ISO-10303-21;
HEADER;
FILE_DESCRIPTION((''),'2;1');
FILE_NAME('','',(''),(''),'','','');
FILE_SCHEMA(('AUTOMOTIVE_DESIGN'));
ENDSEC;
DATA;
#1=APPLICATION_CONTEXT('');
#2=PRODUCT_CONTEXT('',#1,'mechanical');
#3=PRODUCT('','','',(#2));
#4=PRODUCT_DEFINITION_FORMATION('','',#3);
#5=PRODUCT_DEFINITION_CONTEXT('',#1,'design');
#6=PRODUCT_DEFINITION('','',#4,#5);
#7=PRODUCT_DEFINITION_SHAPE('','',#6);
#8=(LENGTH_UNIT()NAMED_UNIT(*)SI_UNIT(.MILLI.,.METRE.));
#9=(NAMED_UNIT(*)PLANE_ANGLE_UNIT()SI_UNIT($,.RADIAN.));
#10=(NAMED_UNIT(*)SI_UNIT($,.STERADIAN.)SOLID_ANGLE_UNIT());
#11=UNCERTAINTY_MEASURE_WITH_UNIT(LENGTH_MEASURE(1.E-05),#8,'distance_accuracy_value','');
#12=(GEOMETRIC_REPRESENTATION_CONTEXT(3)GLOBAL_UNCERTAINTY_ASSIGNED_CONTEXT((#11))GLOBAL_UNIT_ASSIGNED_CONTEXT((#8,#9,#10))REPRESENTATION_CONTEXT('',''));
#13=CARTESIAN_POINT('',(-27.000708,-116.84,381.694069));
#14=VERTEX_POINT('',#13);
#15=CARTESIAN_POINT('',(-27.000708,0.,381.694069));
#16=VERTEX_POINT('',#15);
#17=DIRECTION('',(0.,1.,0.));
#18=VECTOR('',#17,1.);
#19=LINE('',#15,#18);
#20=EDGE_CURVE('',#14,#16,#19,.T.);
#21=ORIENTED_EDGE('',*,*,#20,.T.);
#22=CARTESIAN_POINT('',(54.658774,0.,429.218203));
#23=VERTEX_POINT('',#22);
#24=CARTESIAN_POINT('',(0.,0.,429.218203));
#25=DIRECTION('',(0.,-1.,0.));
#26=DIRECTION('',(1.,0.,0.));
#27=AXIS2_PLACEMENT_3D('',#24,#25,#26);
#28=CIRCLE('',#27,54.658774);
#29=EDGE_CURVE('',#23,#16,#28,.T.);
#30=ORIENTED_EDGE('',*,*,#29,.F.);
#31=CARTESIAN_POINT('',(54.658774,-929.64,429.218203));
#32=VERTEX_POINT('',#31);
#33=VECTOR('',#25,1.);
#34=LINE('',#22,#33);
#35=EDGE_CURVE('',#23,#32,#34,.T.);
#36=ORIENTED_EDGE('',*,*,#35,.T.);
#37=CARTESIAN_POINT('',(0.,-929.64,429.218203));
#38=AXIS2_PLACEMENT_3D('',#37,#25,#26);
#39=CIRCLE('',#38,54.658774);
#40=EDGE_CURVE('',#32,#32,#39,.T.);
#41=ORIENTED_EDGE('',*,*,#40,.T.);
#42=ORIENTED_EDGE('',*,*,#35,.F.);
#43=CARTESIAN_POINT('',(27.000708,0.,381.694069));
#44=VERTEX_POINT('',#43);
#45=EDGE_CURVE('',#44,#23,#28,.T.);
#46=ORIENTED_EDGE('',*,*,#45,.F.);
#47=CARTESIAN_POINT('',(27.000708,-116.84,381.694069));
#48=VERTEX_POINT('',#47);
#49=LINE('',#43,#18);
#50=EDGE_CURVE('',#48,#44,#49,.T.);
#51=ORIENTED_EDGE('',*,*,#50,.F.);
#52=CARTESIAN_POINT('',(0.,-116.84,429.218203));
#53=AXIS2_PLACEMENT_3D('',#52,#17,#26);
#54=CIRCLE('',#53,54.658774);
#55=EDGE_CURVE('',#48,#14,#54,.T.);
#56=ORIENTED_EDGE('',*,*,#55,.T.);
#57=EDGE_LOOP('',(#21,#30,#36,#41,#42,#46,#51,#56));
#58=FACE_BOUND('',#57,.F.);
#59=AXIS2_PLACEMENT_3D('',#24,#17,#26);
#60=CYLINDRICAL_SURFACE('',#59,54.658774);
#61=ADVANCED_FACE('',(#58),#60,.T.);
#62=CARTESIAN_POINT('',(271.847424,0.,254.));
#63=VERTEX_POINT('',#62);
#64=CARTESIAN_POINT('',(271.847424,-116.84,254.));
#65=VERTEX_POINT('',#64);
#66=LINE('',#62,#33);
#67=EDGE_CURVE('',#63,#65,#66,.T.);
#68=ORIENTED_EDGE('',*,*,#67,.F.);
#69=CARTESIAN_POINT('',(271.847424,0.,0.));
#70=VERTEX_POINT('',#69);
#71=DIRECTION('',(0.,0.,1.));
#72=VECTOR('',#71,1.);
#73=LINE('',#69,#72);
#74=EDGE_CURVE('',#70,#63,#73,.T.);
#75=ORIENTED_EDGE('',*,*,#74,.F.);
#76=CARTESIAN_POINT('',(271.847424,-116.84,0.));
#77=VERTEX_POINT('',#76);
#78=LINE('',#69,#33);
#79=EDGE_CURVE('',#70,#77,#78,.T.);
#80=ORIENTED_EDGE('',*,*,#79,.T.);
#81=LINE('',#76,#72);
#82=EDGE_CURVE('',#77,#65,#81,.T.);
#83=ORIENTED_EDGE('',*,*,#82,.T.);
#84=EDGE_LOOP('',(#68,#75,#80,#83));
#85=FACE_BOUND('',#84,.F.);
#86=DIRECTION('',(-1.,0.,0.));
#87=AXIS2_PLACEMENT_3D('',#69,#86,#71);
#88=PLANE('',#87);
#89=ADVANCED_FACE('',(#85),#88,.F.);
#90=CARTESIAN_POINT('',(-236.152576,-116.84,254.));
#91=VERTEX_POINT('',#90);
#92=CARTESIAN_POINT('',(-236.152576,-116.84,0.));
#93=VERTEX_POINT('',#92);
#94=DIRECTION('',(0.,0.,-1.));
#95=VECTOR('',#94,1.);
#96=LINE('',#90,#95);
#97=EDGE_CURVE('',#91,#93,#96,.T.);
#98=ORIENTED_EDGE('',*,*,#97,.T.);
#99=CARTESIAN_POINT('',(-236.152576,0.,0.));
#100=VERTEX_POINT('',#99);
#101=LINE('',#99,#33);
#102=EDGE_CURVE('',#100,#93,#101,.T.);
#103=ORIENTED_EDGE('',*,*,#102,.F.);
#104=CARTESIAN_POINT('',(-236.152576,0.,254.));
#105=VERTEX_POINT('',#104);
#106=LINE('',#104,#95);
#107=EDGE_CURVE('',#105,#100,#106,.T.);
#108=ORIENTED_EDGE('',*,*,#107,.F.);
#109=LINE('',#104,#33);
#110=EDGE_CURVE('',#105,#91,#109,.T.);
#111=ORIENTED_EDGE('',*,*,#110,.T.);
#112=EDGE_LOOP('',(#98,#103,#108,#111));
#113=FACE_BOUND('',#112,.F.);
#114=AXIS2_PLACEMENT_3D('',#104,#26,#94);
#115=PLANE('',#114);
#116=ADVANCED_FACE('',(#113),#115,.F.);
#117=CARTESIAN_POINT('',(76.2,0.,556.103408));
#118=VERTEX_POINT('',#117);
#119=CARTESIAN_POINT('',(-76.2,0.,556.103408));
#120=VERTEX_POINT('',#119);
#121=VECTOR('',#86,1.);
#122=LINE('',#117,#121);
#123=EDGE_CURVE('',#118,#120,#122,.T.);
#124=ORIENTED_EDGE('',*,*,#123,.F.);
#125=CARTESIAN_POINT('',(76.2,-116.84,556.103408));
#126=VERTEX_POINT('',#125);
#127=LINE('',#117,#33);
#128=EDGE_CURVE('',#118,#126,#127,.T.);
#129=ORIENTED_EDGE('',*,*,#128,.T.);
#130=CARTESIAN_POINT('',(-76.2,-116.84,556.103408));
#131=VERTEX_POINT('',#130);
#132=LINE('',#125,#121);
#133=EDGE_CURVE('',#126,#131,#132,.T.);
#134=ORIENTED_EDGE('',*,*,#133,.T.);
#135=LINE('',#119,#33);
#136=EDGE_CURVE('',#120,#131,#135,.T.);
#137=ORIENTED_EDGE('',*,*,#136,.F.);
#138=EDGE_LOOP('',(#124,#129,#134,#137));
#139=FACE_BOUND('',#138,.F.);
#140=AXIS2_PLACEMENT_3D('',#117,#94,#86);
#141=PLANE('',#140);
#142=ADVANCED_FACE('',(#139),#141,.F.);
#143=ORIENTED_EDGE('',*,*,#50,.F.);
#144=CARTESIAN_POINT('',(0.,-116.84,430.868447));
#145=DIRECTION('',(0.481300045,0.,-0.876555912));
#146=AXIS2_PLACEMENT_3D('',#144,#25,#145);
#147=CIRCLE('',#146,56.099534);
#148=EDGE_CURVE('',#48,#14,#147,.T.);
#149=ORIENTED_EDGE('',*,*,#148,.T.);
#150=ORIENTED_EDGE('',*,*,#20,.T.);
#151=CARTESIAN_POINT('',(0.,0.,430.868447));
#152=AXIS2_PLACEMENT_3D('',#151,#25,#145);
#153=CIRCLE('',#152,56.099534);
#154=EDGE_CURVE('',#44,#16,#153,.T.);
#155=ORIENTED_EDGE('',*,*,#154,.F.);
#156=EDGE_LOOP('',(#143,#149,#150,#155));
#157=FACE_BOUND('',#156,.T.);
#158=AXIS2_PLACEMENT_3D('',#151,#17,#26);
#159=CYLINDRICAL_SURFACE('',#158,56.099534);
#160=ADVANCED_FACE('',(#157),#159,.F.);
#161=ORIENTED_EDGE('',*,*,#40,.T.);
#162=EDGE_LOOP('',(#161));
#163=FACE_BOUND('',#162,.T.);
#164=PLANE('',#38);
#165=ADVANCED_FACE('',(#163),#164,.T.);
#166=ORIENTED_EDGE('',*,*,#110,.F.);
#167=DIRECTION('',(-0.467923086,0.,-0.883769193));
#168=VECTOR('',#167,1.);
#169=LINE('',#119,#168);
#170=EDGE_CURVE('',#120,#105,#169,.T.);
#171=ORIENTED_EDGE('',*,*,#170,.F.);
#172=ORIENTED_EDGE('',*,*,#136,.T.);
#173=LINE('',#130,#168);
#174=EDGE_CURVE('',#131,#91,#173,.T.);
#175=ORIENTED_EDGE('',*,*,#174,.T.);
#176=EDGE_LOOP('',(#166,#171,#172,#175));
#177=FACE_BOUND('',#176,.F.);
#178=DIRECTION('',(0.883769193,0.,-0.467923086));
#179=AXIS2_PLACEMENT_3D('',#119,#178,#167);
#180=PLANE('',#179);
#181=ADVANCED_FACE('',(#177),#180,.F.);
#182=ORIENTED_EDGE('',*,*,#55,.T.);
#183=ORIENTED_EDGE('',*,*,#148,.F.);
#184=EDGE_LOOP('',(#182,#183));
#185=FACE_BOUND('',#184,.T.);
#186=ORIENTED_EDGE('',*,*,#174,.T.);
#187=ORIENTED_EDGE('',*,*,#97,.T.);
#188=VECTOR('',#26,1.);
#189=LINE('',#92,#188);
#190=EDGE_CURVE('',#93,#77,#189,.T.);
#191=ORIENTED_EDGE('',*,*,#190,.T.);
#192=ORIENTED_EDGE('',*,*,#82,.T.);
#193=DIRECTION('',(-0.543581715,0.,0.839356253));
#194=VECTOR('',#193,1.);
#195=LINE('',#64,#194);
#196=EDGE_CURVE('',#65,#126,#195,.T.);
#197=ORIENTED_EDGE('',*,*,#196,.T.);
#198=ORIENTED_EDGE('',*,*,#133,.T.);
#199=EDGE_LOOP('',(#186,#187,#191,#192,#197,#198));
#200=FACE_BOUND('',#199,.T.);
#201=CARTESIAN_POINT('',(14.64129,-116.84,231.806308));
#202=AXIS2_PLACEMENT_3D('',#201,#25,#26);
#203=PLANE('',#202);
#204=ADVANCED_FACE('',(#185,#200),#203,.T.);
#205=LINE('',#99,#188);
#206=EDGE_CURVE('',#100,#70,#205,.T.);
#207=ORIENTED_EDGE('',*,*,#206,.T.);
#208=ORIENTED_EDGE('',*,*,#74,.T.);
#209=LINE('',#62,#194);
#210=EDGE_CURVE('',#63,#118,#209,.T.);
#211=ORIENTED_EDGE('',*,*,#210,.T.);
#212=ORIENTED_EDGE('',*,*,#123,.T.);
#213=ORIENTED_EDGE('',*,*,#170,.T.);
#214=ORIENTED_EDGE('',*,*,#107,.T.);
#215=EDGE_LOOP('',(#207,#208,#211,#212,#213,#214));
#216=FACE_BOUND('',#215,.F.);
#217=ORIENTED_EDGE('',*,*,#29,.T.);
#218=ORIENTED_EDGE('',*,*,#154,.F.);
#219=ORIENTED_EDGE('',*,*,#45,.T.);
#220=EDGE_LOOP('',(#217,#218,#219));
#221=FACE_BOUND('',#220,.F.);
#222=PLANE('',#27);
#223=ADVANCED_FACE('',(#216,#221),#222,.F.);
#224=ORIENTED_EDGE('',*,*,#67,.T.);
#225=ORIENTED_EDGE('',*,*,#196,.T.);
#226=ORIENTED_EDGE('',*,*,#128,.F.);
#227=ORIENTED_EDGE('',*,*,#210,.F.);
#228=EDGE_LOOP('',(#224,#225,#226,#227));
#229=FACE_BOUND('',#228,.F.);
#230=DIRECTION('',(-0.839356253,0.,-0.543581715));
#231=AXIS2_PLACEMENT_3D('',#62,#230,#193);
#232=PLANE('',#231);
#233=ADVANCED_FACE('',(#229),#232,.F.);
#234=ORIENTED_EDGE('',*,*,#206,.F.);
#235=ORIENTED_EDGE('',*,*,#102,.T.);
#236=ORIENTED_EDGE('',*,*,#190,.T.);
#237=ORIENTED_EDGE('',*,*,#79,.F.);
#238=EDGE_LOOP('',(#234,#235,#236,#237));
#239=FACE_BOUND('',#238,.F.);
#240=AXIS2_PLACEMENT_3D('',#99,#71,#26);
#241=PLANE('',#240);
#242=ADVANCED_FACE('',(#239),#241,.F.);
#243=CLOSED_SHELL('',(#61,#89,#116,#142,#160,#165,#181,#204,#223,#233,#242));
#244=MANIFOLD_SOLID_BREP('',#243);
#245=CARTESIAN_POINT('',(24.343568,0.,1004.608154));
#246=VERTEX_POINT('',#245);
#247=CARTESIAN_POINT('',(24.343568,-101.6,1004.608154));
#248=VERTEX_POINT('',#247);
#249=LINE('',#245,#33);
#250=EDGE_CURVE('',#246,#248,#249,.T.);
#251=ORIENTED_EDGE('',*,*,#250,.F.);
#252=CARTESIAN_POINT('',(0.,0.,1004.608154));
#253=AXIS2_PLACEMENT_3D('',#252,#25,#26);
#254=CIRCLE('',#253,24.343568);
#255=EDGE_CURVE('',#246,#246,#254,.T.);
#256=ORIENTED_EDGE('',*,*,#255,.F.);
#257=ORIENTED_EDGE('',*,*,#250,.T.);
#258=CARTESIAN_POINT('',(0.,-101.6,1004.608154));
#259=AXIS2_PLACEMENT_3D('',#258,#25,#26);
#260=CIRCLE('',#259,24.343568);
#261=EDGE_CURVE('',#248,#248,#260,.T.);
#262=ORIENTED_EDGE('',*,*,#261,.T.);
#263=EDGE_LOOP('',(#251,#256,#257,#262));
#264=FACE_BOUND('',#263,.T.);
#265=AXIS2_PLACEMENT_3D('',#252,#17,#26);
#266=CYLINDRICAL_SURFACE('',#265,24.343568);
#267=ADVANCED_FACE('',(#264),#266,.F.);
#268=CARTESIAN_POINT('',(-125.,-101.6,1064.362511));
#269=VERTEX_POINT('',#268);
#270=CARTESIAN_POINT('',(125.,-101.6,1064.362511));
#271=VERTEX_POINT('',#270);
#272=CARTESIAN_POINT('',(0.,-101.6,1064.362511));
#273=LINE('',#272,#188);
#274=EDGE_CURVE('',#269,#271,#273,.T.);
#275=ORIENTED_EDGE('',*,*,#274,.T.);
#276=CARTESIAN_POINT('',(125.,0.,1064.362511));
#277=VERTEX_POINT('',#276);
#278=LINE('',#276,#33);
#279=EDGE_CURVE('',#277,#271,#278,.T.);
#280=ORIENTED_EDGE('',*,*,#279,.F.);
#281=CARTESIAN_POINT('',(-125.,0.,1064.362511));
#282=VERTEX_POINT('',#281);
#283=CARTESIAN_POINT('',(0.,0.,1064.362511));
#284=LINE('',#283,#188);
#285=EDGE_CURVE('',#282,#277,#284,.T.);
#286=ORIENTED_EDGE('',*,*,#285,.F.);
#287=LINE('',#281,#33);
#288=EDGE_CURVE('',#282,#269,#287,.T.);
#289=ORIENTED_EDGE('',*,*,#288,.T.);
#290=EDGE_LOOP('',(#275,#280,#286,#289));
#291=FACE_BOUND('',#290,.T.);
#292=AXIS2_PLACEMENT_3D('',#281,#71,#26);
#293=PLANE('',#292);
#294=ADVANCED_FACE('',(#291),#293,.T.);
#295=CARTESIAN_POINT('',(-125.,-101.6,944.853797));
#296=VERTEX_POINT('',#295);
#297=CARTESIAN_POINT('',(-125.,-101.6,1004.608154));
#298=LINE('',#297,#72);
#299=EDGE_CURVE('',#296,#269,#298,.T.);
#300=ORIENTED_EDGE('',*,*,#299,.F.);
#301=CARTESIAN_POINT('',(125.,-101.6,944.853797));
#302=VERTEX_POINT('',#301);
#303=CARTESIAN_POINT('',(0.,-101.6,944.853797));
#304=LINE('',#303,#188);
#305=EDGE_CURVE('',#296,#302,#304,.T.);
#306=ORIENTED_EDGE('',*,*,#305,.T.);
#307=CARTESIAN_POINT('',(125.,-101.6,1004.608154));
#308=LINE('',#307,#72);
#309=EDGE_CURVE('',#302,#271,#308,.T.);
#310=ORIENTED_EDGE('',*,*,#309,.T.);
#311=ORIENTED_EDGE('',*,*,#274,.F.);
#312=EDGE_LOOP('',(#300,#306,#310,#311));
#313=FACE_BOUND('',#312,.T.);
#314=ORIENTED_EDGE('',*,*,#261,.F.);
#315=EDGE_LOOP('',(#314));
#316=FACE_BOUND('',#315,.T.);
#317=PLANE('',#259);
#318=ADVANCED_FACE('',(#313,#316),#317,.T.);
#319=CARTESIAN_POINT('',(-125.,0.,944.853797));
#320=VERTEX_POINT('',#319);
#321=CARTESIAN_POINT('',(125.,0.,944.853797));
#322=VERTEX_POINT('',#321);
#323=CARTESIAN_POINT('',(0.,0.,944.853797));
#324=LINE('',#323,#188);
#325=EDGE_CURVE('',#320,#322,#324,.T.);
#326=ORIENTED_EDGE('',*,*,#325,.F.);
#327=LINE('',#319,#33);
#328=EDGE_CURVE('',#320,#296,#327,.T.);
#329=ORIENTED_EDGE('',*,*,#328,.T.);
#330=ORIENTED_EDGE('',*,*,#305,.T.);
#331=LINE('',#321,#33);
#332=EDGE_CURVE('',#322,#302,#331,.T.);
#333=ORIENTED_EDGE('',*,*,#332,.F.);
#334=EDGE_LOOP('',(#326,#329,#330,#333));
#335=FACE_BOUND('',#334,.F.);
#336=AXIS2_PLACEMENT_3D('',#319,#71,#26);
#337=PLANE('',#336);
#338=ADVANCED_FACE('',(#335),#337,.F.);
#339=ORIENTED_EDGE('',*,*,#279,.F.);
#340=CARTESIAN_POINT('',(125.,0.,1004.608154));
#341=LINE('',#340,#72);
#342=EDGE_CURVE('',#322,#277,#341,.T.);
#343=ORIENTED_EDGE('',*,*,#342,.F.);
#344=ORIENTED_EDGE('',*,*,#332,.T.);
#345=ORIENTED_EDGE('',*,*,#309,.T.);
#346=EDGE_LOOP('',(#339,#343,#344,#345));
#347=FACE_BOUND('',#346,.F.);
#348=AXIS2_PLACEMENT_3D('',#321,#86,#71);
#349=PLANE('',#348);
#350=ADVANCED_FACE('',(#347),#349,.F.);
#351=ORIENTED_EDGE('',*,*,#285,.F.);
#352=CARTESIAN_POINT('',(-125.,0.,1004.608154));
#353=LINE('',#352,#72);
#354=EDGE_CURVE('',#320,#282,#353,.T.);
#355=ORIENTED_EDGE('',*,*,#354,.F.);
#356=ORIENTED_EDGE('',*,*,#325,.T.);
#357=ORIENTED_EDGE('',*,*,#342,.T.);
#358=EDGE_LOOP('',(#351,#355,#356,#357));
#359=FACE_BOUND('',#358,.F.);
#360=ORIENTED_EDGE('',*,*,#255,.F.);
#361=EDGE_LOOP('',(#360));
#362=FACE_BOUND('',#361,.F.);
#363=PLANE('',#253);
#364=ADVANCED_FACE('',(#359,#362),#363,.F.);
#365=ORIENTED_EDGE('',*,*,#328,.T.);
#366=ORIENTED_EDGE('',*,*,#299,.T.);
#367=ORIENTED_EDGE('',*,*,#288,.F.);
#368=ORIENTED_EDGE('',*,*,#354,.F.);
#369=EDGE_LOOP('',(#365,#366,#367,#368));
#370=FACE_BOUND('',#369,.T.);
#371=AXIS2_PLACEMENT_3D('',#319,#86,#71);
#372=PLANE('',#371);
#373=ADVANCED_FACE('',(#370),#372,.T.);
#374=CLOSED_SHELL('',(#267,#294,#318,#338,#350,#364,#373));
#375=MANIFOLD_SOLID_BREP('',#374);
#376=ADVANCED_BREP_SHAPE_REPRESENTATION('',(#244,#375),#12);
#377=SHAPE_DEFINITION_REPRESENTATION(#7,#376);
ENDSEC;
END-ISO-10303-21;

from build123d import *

# Parameters (mm, degrees)
F0_R     = 56.099534
F1_DEPTH = 116.84
F2_R     = 54.658774
F3_DEPTH = 929.64
F4_W     = 250
F4_H     = 119.508714
F4_R     = 24.343568
F5_DEPTH = 101.6


with BuildPart() as f1:
    # F0 (on Front) → F1 (new body)
    with BuildSketch(Plane.XZ):
        Polygon((-236.152576, 254), (-236.152576, 0), (271.847424, 0), (271.847424, 254), (76.2, 556.103408), (0, 556.103408), (-76.2, 556.103408), align=None)
        with Locations((0, 430.868447)):
            Circle(F0_R, mode=Mode.SUBTRACT)
    extrude(amount=F1_DEPTH)

    # F2 (on Front) → F3 (join)
    with BuildSketch(Plane.XZ):
        with Locations((0, 429.218203)):
            Circle(F2_R)
    extrude(amount=F3_DEPTH)


with BuildPart() as f5:
    # F4 (on Front) → F5 (new body)
    with BuildSketch(Plane.XZ):
        with Locations((0, 1004.608154)):
            Rectangle(F4_W, F4_H)
        with Locations((0, 1004.608154)):
            Circle(F4_R, mode=Mode.SUBTRACT)
    extrude(amount=F5_DEPTH)


solid = Compound([f1.part, f5.part])
